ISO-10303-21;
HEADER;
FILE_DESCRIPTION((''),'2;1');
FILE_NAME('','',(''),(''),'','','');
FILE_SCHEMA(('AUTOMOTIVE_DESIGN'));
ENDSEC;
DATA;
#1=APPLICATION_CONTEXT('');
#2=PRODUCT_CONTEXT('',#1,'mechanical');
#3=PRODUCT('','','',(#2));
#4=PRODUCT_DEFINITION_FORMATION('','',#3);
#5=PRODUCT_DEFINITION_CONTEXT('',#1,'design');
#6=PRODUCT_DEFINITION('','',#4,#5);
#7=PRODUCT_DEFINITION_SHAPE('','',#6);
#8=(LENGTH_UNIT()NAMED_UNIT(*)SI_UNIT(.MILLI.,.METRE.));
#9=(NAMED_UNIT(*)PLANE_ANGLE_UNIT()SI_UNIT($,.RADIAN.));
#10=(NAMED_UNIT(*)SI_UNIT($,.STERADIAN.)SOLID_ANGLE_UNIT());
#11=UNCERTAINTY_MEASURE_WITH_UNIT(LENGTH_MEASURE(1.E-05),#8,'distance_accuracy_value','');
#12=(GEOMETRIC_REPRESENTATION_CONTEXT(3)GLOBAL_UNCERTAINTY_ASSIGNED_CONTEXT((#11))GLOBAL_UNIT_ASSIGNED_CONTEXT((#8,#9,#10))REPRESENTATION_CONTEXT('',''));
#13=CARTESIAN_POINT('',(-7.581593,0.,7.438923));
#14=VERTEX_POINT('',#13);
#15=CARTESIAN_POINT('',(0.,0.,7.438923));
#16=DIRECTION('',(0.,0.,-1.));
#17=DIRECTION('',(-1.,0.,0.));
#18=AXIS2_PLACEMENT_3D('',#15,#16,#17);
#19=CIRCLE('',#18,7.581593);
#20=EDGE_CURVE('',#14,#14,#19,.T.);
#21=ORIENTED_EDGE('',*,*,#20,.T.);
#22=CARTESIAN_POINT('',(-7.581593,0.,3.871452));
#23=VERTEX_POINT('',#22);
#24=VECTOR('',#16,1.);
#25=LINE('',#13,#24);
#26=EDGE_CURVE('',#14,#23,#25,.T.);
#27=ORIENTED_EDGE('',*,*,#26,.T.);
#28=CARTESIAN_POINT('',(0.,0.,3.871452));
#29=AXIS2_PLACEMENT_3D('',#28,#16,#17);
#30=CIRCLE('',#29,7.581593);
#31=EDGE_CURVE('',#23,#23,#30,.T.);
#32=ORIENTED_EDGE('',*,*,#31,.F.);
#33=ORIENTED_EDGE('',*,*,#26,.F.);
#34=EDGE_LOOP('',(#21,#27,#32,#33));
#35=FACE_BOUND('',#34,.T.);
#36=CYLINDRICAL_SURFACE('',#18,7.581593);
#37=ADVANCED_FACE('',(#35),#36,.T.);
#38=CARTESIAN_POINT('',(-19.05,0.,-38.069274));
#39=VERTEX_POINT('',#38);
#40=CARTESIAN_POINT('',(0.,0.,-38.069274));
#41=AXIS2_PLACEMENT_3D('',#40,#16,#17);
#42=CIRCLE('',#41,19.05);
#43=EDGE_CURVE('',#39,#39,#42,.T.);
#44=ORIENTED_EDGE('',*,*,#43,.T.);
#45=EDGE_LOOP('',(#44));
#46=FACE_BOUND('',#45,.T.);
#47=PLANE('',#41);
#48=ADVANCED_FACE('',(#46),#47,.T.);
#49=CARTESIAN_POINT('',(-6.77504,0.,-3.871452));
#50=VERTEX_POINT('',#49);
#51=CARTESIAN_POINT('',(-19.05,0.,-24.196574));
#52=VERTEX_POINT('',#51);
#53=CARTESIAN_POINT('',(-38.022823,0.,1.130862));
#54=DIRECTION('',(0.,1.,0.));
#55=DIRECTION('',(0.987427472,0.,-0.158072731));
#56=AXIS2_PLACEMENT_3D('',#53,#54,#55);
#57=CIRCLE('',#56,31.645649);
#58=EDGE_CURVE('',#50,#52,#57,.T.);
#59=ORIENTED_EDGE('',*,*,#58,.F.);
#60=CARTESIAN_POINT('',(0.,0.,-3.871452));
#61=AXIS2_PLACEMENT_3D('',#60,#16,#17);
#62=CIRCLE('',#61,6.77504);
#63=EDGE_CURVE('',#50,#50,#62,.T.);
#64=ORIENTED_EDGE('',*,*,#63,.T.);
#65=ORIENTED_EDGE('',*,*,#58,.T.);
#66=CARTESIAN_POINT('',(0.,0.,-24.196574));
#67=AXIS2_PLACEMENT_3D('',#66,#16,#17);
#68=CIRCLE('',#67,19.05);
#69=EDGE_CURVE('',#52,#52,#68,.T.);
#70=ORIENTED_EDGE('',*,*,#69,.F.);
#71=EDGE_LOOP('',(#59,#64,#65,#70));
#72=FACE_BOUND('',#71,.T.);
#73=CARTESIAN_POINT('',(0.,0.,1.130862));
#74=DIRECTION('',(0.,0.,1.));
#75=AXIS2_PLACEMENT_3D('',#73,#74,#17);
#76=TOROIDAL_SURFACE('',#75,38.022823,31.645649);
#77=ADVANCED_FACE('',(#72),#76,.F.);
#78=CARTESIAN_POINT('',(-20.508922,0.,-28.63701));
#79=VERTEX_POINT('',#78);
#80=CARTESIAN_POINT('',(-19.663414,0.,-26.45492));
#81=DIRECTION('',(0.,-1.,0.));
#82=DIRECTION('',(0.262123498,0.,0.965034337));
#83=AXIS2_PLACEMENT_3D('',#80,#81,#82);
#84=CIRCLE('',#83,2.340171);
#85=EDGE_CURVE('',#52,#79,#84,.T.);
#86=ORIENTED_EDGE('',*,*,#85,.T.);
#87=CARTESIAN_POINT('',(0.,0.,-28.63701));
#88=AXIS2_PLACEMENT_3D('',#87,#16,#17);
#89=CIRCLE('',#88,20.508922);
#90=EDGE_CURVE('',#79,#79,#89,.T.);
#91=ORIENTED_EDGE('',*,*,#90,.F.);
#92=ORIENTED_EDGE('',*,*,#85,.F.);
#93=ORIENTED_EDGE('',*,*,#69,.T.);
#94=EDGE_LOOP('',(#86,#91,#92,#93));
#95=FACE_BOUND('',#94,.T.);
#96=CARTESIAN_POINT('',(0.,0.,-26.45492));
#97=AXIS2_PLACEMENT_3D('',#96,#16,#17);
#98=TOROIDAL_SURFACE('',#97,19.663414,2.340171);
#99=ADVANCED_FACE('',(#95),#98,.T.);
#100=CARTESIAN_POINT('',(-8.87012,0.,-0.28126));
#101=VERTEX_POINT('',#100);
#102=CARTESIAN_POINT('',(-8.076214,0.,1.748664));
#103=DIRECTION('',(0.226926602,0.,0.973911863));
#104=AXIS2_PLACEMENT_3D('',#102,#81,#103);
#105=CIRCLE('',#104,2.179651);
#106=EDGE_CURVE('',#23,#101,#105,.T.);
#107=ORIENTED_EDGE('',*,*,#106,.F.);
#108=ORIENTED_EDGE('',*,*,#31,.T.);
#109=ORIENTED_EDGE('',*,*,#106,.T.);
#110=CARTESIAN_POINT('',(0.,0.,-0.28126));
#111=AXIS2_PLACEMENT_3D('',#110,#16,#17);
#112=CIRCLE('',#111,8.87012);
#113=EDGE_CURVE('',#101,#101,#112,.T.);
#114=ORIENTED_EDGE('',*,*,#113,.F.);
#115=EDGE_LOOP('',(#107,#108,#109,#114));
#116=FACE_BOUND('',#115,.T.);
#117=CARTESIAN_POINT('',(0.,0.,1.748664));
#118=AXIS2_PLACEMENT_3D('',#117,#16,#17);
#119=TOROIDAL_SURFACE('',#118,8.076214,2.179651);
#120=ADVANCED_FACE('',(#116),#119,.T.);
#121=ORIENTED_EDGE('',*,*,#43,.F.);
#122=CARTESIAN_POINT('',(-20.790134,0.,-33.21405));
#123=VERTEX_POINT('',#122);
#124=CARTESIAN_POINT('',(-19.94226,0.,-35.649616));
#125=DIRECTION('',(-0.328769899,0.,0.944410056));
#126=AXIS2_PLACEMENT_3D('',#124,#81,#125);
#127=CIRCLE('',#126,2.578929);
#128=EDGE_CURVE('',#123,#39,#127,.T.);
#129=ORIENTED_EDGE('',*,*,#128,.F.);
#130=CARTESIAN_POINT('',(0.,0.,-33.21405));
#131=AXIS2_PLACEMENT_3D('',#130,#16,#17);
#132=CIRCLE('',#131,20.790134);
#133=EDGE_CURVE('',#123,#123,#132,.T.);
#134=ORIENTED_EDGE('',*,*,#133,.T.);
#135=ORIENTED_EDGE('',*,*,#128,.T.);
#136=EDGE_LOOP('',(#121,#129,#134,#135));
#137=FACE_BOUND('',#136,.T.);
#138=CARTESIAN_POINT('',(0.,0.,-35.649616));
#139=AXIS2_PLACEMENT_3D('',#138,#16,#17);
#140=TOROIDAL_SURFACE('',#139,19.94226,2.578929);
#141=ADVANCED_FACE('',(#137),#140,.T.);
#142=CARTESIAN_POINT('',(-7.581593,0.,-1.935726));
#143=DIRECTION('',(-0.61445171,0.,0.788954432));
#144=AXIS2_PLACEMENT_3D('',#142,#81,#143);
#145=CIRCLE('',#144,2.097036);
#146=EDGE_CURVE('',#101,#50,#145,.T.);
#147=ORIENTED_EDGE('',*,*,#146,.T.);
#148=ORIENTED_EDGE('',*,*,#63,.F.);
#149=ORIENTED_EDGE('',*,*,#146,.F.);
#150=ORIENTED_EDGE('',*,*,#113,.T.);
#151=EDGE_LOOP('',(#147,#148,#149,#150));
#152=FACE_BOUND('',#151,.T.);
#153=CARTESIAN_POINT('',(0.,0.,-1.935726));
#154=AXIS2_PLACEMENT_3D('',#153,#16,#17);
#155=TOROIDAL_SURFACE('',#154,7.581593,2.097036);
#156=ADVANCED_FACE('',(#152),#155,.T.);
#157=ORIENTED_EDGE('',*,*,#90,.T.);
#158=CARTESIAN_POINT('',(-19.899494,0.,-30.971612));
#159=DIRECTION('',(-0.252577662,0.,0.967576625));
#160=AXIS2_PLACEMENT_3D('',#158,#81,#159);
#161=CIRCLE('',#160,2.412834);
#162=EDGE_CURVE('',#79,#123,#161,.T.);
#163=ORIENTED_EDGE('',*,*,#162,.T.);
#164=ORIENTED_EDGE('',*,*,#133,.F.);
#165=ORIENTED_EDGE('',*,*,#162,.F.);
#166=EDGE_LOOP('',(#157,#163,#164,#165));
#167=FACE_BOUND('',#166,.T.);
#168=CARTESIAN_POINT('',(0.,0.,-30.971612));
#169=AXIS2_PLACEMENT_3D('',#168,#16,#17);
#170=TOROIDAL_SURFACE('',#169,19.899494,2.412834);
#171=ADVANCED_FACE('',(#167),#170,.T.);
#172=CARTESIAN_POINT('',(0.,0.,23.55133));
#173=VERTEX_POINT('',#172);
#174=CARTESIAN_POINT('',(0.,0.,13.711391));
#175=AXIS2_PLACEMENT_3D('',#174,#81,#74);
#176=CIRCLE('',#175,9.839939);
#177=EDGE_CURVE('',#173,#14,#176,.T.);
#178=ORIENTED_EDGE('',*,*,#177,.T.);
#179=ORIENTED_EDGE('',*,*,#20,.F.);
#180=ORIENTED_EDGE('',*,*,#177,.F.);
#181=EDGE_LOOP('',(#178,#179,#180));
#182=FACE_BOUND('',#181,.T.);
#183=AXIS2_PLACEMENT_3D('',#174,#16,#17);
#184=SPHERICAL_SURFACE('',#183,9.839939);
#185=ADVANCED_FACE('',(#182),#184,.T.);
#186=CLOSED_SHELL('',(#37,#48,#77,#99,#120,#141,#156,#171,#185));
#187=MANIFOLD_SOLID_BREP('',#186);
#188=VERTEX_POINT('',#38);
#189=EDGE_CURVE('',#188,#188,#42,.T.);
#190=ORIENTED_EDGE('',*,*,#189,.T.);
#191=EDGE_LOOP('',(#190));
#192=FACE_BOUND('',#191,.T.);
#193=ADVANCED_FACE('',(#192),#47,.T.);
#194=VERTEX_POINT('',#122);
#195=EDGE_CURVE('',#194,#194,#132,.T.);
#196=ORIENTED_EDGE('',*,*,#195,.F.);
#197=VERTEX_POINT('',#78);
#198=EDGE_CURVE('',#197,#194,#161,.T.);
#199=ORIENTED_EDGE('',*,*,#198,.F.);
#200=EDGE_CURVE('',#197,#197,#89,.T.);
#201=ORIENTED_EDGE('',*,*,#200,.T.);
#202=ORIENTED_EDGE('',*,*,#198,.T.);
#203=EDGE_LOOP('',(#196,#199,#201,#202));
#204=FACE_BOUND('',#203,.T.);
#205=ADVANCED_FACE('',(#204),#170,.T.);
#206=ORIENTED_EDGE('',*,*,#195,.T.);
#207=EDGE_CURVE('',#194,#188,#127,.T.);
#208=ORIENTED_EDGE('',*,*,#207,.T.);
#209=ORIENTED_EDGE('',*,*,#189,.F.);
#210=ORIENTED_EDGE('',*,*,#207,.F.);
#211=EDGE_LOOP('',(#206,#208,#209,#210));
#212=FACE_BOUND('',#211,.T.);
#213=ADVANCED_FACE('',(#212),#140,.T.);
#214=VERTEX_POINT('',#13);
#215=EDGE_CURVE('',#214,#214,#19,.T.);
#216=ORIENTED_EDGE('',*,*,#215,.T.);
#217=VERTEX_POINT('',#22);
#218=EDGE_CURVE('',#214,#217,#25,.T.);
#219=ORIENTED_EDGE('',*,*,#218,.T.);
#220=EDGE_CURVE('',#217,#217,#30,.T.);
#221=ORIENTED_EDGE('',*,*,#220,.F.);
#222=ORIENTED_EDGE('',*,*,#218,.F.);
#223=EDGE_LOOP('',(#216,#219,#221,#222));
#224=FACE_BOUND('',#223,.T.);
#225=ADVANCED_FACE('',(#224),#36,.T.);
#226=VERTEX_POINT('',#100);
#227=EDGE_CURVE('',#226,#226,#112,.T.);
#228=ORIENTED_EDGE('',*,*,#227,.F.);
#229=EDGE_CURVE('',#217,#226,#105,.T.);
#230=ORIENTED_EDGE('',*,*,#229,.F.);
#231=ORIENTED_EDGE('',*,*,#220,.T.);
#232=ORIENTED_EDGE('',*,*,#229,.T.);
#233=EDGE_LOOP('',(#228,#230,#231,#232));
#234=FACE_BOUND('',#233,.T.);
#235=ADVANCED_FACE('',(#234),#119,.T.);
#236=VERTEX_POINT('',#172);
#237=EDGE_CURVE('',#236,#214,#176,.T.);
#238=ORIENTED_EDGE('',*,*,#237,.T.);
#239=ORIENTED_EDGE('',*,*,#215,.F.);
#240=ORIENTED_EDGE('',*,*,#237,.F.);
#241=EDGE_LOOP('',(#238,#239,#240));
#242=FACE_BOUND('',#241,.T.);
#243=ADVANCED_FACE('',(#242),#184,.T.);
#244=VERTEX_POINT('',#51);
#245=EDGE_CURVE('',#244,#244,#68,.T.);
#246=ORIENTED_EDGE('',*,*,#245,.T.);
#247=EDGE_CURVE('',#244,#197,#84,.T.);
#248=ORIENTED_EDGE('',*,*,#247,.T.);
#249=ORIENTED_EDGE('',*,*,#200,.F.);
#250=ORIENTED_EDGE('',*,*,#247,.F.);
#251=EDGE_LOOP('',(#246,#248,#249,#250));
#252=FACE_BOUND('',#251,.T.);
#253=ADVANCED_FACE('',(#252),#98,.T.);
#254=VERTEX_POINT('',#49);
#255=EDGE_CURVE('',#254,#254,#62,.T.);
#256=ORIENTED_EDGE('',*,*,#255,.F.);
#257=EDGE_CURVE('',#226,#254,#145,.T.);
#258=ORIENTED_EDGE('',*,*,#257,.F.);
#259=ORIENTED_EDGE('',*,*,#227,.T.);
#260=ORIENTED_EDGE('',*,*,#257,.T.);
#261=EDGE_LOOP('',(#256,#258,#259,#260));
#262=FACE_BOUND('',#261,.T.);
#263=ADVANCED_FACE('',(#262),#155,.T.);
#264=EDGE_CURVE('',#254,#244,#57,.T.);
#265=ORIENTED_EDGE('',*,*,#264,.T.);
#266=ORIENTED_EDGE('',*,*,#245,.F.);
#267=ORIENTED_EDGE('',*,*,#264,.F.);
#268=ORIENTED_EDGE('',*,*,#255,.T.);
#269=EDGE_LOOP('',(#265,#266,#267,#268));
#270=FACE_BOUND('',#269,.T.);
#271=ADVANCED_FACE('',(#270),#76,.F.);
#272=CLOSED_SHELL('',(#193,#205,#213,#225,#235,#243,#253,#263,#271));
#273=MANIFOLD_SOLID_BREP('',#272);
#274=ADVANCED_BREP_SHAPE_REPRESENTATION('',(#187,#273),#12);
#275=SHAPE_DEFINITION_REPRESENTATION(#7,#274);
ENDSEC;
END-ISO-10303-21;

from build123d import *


with BuildPart() as f1:
    # F0 (on Front) → F1 (revolve)
    with BuildSketch(Plane.XZ):
        with BuildLine():
            Line((0, -38.0692742765), (0, 12.7307257235))
            Line((0, 12.7307257235), (0, 23.5513299704))
            ThreePointArc((0, 23.5513299704), (-8.903513506, 17.900883646), (-7.5815928479, 7.438922922))
            Line((-7.5815928479, 7.438922922), (-7.5815928479, 3.8714515977))
            ThreePointArc((-7.5815928479, 3.8714515977), (-10.1579546241, 2.3945986595), (-8.8701204374, -0.2812596534))
            ThreePointArc((-8.8701204374, -0.2812596534), (-9.3927925899, -2.9926633892), (-6.7750401795, -3.8714515977))
            ThreePointArc((-6.7750401795, -3.8714515977), (-10.9339882619, -15.2289085724), (-19.05, -24.1965744644))
            ThreePointArc((-19.05, -24.1965744644), (-21.8866622661, -25.7244630407), (-20.5089222959, -28.6370098452))
            ThreePointArc((-20.5089222959, -28.6370098452), (-22.3077873206, -30.8236469574), (-20.7901344441, -33.2140500582))
            ThreePointArc((-20.7901344441, -33.2140500582), (-22.3699738617, -36.5197198505), (-19.05, -38.0692742765))
            Line((-19.05, -38.0692742765), (0, -38.0692742765))
        make_face()
        with BuildLine():
            ThreePointArc((-19.05, -33.229958266), (-19.921551335, -33.3843452645), (-20.7901344441, -33.2140500582))
            ThreePointArc((-20.7901344441, -33.2140500582), (-19.9186848796, -33.0707953152), (-19.05, -33.229958266))
        make_face(mode=Mode.SUBTRACT)
        with BuildLine():
            ThreePointArc((-19.05, -28.7132654339), (-19.7855641833, -28.7919009416), (-20.5089222959, -28.6370098452))
            ThreePointArc((-20.5089222959, -28.6370098452), (-19.7735511117, -28.5620667963), (-19.05, -28.7132654339))
        make_face(mode=Mode.SUBTRACT)
        with BuildLine():
            ThreePointArc((-6.7750401795, 0), (-7.7862022289, -0.4116071791), (-8.8701204374, -0.2812596534))
            ThreePointArc((-8.8701204374, -0.2812596534), (-7.8606120306, 0.1426653749), (-6.7750401795, 0))
        make_face(mode=Mode.SUBTRACT)
        with BuildLine():
            ThreePointArc((-6.7750401795, 0), (-7.8606120306, 0.1426653749), (-8.8701204374, -0.2812596534))
            ThreePointArc((-8.8701204374, -0.2812596534), (-7.7862022289, -0.4116071791), (-6.7750401795, 0))
        make_face()
        with BuildLine():
            ThreePointArc((-19.05, -33.229958266), (-19.9186848796, -33.0707953152), (-20.7901344441, -33.2140500582))
            ThreePointArc((-20.7901344441, -33.2140500582), (-19.921551335, -33.3843452645), (-19.05, -33.229958266))
        make_face()
        with BuildLine():
            ThreePointArc((-19.05, -28.7132654339), (-19.7735511117, -28.5620667963), (-20.5089222959, -28.6370098452))
            ThreePointArc((-20.5089222959, -28.6370098452), (-19.7855641833, -28.7919009416), (-19.05, -28.7132654339))
        make_face()
    revolve(axis=Axis((0, 0, -12.6692742765), (0, 0, -1)))


with BuildPart() as f2:
    # F0 (on Front) → F2 (revolve)
    with BuildSketch(Plane.XZ):
        with BuildLine():
            Line((0, -38.0692742765), (0, 12.7307257235))
            Line((0, 12.7307257235), (0, 23.5513299704))
            ThreePointArc((0, 23.5513299704), (-8.903513506, 17.900883646), (-7.5815928479, 7.438922922))
            Line((-7.5815928479, 7.438922922), (-7.5815928479, 3.8714515977))
            ThreePointArc((-7.5815928479, 3.8714515977), (-10.1579546241, 2.3945986595), (-8.8701204374, -0.2812596534))
            ThreePointArc((-8.8701204374, -0.2812596534), (-9.3927925899, -2.9926633892), (-6.7750401795, -3.8714515977))
            ThreePointArc((-6.7750401795, -3.8714515977), (-10.9339882619, -15.2289085724), (-19.05, -24.1965744644))
            ThreePointArc((-19.05, -24.1965744644), (-21.8866622661, -25.7244630407), (-20.5089222959, -28.6370098452))
            ThreePointArc((-20.5089222959, -28.6370098452), (-22.3077873206, -30.8236469574), (-20.7901344441, -33.2140500582))
            ThreePointArc((-20.7901344441, -33.2140500582), (-22.3699738617, -36.5197198505), (-19.05, -38.0692742765))
            Line((-19.05, -38.0692742765), (0, -38.0692742765))
        make_face()
        with BuildLine():
            ThreePointArc((-19.05, -33.229958266), (-19.921551335, -33.3843452645), (-20.7901344441, -33.2140500582))
            ThreePointArc((-20.7901344441, -33.2140500582), (-19.9186848796, -33.0707953152), (-19.05, -33.229958266))
        make_face(mode=Mode.SUBTRACT)
        with BuildLine():
            ThreePointArc((-19.05, -28.7132654339), (-19.7855641833, -28.7919009416), (-20.5089222959, -28.6370098452))
            ThreePointArc((-20.5089222959, -28.6370098452), (-19.7735511117, -28.5620667963), (-19.05, -28.7132654339))
        make_face(mode=Mode.SUBTRACT)
        with BuildLine():
            ThreePointArc((-6.7750401795, 0), (-7.7862022289, -0.4116071791), (-8.8701204374, -0.2812596534))
            ThreePointArc((-8.8701204374, -0.2812596534), (-7.8606120306, 0.1426653749), (-6.7750401795, 0))
        make_face(mode=Mode.SUBTRACT)
        with BuildLine():
            ThreePointArc((-6.7750401795, 0), (-7.8606120306, 0.1426653749), (-8.8701204374, -0.2812596534))
            ThreePointArc((-8.8701204374, -0.2812596534), (-7.7862022289, -0.4116071791), (-6.7750401795, 0))
        make_face()
        with BuildLine():
            ThreePointArc((-19.05, -33.229958266), (-19.9186848796, -33.0707953152), (-20.7901344441, -33.2140500582))
            ThreePointArc((-20.7901344441, -33.2140500582), (-19.921551335, -33.3843452645), (-19.05, -33.229958266))
        make_face()
        with BuildLine():
            ThreePointArc((-19.05, -28.7132654339), (-19.7735511117, -28.5620667963), (-20.5089222959, -28.6370098452))
            ThreePointArc((-20.5089222959, -28.6370098452), (-19.7855641833, -28.7919009416), (-19.05, -28.7132654339))
        make_face()
    revolve(axis=Axis((0, 0, -12.6692742765), (0, 0, -1)))


solid = Compound([f1.part, f2.part])
